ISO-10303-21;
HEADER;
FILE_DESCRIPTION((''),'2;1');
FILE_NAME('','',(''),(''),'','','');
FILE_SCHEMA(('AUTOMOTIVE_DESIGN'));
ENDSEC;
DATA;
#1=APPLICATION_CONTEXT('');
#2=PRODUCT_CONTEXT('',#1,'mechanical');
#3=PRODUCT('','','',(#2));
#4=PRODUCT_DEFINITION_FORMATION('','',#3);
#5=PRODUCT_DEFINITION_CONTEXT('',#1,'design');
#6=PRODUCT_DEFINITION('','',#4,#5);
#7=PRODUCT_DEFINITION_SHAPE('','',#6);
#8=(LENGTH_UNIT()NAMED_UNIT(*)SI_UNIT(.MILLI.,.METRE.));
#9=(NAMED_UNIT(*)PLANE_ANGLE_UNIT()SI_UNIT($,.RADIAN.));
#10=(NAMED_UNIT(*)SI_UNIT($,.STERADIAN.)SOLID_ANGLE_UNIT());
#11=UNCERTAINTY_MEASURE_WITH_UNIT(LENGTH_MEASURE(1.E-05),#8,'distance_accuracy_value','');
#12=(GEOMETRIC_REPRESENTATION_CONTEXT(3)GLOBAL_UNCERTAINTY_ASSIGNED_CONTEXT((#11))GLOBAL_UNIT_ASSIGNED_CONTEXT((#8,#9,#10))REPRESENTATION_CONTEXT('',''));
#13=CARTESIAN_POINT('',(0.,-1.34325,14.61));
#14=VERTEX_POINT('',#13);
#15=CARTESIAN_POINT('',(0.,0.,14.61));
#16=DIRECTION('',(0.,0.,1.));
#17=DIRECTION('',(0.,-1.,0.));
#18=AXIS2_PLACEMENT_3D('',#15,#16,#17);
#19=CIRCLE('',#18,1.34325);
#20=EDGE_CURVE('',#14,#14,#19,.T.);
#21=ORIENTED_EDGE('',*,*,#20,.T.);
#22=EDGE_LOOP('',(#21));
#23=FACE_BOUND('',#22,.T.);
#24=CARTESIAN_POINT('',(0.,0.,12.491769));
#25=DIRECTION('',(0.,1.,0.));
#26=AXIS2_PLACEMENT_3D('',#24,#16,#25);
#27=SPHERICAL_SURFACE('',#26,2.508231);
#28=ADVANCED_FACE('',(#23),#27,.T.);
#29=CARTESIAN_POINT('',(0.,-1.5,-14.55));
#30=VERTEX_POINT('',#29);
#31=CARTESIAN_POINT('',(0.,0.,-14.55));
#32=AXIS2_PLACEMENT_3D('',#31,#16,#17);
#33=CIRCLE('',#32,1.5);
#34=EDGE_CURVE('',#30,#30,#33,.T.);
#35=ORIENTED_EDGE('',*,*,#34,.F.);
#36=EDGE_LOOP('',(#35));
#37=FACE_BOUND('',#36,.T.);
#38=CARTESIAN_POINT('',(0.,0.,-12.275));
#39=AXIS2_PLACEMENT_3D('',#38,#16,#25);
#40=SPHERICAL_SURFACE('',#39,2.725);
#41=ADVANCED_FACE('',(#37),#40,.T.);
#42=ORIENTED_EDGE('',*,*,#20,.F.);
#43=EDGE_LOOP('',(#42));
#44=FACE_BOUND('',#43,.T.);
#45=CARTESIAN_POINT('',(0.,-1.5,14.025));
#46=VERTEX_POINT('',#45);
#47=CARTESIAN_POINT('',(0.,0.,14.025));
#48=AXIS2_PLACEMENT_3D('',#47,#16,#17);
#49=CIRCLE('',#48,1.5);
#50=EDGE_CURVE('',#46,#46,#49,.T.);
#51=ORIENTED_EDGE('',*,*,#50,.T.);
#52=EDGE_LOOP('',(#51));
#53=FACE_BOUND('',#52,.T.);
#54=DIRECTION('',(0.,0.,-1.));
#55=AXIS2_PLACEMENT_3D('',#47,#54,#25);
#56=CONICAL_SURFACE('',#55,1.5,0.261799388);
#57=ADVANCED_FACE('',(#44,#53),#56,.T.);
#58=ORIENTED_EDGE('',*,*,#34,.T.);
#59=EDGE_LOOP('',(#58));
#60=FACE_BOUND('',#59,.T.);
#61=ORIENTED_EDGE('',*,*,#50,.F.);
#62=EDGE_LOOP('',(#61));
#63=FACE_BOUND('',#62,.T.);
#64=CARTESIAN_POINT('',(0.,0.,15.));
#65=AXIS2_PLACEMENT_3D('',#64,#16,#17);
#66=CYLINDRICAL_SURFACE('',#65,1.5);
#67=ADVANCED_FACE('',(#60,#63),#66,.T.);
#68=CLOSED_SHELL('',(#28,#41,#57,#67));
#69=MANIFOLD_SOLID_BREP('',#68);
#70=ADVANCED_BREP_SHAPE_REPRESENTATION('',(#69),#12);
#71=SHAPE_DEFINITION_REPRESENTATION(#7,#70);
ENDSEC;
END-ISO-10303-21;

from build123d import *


with BuildPart() as part:
    # Sketch3 → Revolve1 (revolve)
    with BuildSketch(Plane(origin=(0, 0, 0), x_dir=(0, 0, -1), z_dir=(1, 0, 0))):
        with BuildLine():
            Line((-15, 0), (15, 0))
            ThreePointArc((15, 0), (14.885076627, 0.783022988), (14.55, 1.5))
            Line((14.55, 1.5), (-14.025, 1.5))
            Line((-14.025, 1.5), (-14.61, 1.343249722))
            ThreePointArc((-14.61, 1.343249722), (-14.90052754, 0.699360389), (-15, 0))
        make_face()
    revolve(axis=Axis((0, 0, 15), (0, 0, -1)))


solid = part.part
